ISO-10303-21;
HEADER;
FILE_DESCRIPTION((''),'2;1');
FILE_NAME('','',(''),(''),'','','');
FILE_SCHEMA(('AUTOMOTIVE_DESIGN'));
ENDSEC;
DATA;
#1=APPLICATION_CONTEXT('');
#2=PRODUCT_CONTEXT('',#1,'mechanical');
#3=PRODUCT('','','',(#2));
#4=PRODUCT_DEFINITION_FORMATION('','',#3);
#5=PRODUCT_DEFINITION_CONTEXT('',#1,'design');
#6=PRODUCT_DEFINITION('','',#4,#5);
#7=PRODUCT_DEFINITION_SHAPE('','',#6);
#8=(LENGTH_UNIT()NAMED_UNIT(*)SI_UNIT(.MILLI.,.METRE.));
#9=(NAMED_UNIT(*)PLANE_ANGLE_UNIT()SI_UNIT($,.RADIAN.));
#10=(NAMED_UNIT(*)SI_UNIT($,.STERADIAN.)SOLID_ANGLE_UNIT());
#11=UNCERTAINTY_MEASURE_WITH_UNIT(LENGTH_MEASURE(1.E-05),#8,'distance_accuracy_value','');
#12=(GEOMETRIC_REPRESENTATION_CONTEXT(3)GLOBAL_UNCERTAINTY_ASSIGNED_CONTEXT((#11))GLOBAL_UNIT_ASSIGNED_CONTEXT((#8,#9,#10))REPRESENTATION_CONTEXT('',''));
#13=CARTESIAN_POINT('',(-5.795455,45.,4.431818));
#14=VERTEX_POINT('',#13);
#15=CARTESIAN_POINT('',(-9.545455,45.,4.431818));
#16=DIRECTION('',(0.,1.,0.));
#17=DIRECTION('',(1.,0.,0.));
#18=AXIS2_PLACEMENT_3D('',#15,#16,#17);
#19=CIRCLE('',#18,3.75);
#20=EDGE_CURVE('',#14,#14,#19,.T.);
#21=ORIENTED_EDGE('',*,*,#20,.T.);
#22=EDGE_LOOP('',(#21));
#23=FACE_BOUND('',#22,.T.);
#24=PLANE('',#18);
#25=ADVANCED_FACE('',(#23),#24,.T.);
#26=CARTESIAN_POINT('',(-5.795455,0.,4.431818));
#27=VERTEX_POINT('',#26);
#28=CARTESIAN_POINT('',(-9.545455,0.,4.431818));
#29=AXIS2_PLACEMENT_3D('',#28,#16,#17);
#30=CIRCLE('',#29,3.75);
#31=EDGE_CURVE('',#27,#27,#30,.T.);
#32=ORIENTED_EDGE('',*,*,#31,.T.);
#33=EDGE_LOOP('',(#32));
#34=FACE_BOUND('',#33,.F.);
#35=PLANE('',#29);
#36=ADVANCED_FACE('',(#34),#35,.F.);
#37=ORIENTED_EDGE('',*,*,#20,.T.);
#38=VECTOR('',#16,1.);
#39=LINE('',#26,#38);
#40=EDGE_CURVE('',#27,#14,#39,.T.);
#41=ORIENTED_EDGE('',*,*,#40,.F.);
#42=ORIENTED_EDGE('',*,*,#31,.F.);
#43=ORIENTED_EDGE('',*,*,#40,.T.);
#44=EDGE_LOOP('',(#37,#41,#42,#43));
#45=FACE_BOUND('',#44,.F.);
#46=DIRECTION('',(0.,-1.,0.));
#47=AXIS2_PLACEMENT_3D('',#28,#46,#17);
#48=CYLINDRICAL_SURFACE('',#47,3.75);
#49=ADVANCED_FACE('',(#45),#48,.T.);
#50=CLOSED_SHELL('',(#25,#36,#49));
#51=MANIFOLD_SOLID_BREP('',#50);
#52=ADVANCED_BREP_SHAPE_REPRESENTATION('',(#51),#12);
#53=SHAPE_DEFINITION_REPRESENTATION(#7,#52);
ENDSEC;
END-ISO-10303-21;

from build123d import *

# Parameters (mm, degrees)
SKETCH1_R           = 3.75
BOSS_EXTRUDE1_DEPTH = 45


with BuildPart() as part:
    # Sketch1 → Boss-Extrude1 (new body)
    with BuildSketch(Plane(origin=(0, 0, 0), x_dir=(1, 0, 0), z_dir=(0, 1, 0))):
        with Locations((-9.545454545, -4.431818182)):
            Circle(SKETCH1_R)
    extrude(amount=BOSS_EXTRUDE1_DEPTH)


solid = part.part
